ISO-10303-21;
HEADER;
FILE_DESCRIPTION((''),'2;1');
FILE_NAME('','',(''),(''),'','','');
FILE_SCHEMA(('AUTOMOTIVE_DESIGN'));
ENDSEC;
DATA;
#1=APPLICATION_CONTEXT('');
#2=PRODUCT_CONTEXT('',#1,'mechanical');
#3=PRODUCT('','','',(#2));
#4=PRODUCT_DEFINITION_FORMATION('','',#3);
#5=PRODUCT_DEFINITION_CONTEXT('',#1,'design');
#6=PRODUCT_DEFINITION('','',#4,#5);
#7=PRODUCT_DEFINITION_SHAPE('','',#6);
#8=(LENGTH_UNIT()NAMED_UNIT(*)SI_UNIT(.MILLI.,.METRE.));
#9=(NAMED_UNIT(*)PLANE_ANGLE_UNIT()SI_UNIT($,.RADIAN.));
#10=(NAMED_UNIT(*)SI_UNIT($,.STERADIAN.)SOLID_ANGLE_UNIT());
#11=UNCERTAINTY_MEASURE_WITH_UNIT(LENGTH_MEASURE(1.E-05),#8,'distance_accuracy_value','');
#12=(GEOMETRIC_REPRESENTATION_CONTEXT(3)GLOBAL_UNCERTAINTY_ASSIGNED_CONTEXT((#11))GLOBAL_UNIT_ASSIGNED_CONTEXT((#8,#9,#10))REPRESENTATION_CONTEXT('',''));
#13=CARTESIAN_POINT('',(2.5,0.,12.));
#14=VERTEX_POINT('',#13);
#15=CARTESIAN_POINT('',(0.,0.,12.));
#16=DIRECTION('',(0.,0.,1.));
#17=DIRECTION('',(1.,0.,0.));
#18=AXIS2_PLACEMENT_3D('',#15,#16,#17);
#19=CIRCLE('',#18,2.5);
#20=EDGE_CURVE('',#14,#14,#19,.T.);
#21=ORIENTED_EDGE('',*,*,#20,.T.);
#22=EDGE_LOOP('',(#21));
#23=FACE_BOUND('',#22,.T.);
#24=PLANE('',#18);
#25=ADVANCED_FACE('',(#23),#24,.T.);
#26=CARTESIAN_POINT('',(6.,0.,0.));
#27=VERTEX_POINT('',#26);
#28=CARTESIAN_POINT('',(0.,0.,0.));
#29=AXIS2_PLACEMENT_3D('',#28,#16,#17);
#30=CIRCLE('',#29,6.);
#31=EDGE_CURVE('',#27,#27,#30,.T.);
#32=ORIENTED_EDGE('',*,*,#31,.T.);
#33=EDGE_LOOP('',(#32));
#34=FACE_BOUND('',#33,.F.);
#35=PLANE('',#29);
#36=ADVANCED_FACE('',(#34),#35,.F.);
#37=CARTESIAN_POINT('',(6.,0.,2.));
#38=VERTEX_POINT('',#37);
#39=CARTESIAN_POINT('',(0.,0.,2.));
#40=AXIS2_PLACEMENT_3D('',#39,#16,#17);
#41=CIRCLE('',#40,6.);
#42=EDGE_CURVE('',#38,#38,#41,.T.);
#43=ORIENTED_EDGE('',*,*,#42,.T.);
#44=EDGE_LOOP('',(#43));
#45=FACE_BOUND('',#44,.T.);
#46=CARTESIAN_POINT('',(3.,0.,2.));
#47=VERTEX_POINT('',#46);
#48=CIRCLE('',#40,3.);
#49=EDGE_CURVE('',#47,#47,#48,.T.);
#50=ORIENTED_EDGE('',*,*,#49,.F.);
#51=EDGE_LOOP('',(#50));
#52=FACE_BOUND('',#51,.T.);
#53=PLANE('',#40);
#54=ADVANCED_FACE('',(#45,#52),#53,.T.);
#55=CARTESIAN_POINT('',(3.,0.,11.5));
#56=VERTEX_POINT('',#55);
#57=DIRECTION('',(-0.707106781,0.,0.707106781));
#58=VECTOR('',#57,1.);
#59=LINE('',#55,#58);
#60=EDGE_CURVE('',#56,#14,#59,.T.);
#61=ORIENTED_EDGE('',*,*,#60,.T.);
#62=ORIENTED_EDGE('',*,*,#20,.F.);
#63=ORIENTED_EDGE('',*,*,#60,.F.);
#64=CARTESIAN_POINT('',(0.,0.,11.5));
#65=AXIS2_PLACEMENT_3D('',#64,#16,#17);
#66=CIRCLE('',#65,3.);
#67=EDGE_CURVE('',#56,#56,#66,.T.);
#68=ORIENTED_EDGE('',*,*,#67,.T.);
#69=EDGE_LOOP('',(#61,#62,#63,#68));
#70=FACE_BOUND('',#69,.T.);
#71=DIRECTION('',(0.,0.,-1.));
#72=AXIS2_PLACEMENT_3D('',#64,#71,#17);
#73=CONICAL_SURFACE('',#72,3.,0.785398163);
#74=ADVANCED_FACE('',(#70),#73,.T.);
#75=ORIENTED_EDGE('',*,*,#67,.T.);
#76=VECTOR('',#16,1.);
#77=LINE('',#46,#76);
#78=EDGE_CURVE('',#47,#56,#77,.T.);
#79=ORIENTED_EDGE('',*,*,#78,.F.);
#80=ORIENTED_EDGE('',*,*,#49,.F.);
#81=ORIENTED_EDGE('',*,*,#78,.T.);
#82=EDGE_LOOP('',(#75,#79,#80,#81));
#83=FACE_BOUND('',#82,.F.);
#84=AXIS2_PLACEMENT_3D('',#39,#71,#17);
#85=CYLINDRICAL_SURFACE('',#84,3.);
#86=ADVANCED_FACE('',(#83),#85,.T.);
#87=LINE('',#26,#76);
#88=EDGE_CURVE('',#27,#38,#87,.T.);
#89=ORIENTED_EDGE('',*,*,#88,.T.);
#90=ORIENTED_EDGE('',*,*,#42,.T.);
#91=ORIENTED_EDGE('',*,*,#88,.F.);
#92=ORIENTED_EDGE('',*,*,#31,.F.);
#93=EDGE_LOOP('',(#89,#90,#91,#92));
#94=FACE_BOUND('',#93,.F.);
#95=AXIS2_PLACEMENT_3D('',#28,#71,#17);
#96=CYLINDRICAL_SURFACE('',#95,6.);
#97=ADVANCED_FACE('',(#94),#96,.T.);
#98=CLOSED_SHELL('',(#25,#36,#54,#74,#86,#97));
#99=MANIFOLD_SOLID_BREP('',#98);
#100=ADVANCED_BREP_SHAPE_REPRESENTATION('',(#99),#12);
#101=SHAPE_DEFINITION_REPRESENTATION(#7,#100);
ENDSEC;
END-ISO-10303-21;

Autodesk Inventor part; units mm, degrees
ref_plane "YZ Plane" through (0, 0, 0) normal (1, 0, 0) x (0, 1, 0)
ref_plane "XZ Plane" through (0, 0, 0) normal (0, 1, 0) x (-1, 0, 0)
ref_plane "XY Plane" through (0, 0, 0) normal (0, 0, 1) x (1, 0, 0)
sketch "Sketch1" plane through (0, 0, 0) normal (0, 0, 1) x (1, 0, 0)
  circle A0 centre (0, 0) radius 6
  dimension "d0" = 12
extrude "Extrusion1" add sketch "Sketch1" along normal blind 2
sketch "Sketch2" plane through (0, 0, 2) normal (0, 0, 1) x (1, 0, 0)
  circle A0 centre (0, 0) radius 3
  dimension "d3" = 6
extrude "Extrusion2" add sketch "Sketch2" along normal blind 10
chamfer "Chamfer1" distance 0.5 angle 45 1 edges at (-3, 0, 12)
properties part number "pin"
